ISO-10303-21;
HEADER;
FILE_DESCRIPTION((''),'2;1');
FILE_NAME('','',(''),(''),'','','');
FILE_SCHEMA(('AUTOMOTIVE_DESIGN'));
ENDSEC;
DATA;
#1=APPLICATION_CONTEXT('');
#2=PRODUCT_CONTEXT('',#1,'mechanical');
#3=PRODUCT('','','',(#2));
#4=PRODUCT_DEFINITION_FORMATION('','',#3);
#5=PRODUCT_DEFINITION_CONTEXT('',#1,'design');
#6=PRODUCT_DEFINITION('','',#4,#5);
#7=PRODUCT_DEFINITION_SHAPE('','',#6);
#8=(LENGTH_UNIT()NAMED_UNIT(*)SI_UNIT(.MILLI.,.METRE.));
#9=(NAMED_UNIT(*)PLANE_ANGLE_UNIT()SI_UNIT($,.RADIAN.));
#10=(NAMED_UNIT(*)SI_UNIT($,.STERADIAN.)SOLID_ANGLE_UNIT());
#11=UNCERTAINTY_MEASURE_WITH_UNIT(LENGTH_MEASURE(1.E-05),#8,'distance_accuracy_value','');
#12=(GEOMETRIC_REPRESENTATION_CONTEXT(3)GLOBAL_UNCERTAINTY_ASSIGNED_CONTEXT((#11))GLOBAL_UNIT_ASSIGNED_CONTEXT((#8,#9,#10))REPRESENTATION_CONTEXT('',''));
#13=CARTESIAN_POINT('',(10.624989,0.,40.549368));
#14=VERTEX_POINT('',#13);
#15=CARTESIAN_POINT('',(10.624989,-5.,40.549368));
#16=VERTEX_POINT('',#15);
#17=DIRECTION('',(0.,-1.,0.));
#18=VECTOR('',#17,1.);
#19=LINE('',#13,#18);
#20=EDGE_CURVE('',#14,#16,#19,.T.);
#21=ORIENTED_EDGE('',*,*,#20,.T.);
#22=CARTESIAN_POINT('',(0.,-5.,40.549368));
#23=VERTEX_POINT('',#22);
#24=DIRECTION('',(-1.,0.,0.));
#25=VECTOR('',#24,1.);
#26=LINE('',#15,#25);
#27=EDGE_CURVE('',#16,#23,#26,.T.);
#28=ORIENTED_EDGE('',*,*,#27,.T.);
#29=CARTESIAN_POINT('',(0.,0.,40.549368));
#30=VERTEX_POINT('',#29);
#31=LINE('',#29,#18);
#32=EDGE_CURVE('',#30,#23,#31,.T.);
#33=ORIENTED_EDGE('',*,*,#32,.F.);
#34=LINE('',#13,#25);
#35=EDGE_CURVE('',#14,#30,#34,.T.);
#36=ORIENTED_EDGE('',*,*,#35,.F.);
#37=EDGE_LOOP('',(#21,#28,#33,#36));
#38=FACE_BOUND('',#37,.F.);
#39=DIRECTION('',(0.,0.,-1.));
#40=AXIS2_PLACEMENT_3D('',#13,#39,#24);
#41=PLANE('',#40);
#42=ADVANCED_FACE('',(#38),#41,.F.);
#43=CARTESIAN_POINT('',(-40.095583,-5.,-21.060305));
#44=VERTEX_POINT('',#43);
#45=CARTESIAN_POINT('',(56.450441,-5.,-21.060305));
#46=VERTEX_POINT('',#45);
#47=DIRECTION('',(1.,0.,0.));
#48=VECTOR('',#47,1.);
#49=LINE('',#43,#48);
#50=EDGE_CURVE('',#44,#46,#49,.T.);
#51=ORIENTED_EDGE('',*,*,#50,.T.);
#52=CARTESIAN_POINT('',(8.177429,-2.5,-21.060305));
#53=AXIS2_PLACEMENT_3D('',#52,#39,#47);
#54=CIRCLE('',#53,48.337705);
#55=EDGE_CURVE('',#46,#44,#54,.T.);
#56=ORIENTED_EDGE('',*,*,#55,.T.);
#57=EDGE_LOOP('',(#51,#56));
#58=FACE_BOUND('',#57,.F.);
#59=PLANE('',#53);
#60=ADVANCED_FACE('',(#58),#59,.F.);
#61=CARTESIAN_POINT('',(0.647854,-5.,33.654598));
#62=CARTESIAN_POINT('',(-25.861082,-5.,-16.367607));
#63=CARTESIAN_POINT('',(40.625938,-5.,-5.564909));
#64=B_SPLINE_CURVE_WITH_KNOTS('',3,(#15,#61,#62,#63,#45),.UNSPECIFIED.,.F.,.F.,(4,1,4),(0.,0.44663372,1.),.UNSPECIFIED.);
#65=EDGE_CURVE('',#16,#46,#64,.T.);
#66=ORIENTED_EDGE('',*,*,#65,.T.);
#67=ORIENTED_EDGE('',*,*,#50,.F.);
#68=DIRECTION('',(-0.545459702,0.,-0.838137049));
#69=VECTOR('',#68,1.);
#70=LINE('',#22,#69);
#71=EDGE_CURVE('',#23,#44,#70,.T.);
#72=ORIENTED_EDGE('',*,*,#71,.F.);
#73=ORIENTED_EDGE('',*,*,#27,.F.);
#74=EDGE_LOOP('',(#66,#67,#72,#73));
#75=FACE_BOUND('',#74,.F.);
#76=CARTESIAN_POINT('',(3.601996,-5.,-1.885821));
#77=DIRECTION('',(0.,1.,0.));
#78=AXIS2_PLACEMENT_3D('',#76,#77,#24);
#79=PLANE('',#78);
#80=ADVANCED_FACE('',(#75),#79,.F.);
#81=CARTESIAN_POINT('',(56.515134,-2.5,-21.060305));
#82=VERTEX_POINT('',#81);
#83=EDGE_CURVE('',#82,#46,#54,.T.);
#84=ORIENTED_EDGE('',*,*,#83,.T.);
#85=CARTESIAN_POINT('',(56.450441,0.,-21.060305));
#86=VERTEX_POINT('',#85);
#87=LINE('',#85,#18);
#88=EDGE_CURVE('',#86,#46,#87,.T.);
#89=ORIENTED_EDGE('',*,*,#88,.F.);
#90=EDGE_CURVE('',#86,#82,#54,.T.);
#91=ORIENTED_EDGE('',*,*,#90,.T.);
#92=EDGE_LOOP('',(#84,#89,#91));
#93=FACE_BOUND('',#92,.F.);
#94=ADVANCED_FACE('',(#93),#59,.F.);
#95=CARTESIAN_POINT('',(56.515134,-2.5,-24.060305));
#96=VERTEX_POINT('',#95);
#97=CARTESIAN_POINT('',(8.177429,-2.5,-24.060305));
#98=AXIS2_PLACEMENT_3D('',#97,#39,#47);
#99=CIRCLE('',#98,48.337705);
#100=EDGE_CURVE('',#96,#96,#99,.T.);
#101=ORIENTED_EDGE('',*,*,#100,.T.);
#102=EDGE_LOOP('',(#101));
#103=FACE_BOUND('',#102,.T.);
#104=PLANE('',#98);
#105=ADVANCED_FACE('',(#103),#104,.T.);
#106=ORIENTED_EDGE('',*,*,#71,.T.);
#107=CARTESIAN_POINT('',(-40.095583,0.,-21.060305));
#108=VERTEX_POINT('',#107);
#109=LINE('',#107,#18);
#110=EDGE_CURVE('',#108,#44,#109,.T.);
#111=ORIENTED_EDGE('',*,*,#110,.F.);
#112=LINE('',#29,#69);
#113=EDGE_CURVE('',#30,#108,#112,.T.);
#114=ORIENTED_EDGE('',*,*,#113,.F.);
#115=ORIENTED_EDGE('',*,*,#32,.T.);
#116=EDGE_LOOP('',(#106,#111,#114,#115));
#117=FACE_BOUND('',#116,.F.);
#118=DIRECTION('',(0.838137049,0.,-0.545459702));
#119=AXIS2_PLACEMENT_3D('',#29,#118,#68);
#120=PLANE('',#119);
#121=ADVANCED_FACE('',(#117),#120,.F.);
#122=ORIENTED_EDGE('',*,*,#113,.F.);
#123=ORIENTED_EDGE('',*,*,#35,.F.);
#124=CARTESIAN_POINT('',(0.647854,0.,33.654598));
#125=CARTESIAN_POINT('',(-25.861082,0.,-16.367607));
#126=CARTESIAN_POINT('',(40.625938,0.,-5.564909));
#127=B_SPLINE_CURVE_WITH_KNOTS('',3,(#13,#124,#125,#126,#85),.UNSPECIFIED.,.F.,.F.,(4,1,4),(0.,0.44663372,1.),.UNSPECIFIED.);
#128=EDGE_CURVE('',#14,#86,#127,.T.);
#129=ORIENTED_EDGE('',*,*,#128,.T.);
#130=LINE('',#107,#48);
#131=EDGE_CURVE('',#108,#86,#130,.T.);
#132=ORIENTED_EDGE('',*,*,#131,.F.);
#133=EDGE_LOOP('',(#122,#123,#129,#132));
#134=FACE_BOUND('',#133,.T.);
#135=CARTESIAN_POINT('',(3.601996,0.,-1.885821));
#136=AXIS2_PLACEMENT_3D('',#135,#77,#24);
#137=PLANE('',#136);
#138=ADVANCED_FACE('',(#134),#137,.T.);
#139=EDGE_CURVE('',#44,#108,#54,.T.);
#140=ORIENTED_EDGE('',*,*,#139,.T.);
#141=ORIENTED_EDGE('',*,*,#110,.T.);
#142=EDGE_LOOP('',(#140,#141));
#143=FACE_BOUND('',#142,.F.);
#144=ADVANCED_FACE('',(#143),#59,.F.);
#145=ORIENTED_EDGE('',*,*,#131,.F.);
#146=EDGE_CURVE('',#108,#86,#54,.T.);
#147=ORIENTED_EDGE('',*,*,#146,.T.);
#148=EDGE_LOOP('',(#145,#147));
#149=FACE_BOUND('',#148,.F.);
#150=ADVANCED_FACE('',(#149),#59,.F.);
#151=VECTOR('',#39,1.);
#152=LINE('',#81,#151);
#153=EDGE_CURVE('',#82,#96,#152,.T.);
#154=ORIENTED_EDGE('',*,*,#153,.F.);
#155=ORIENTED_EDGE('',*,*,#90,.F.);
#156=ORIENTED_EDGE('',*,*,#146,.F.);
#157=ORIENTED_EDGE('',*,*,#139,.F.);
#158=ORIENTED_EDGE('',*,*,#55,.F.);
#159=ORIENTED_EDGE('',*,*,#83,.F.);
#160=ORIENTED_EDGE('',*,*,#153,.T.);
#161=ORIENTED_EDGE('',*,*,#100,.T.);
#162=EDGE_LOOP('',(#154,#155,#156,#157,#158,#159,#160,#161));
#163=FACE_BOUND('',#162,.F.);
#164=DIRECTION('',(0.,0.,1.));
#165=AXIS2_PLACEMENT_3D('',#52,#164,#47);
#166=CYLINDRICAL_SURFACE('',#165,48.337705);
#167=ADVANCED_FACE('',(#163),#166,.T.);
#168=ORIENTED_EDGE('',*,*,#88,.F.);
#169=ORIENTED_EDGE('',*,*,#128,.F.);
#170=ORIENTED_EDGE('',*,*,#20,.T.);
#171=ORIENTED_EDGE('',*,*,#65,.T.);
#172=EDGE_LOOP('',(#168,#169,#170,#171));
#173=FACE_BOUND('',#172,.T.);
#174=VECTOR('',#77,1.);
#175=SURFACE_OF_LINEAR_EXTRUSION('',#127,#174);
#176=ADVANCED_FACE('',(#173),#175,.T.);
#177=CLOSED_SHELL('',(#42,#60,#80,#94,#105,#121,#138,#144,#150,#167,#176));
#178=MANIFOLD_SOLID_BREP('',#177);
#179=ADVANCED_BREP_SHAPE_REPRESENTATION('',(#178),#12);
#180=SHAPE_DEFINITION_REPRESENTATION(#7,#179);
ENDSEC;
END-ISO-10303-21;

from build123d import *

# Parameters (mm, degrees)
F1_DEPTH = 5
F2_R     = 48.3377048253
F3_DEPTH = 3


with BuildPart() as f1:
    # F0 (on Front) → F1 (new body)
    with BuildSketch(Plane.XZ):
        with BuildLine():
            add(Edge.make_bspline(
                [(10.6249889359, 40.5493676662), (0.6478541731, 33.6545978676), (-25.8610816931, -16.3676065654), (40.6259382264, -5.5649091014), (56.4504414797, -21.0603047162)],
                knots=[0, 0, 0, 0, 0.4466337202, 1, 1, 1, 1], degree=3))
            Line((10.6249889359, 40.5493676662), (0, 40.5493676662))
            Line((0, 40.5493676662), (-40.0955829393, -21.0603047162))
            Line((-40.0955829393, -21.0603047162), (56.4504414797, -21.0603047162))
        make_face()
    extrude(amount=F1_DEPTH)

    # F2 (on face) → F3 (join)
    with BuildSketch(Plane(origin=(0, 0, -21.0603047162), x_dir=(1, 0, 0), z_dir=(0, 0, -1))):
        with Locations((8.1774292702, 2.5)):
            Circle(F2_R)
    extrude(amount=F3_DEPTH)


solid = f1.part
